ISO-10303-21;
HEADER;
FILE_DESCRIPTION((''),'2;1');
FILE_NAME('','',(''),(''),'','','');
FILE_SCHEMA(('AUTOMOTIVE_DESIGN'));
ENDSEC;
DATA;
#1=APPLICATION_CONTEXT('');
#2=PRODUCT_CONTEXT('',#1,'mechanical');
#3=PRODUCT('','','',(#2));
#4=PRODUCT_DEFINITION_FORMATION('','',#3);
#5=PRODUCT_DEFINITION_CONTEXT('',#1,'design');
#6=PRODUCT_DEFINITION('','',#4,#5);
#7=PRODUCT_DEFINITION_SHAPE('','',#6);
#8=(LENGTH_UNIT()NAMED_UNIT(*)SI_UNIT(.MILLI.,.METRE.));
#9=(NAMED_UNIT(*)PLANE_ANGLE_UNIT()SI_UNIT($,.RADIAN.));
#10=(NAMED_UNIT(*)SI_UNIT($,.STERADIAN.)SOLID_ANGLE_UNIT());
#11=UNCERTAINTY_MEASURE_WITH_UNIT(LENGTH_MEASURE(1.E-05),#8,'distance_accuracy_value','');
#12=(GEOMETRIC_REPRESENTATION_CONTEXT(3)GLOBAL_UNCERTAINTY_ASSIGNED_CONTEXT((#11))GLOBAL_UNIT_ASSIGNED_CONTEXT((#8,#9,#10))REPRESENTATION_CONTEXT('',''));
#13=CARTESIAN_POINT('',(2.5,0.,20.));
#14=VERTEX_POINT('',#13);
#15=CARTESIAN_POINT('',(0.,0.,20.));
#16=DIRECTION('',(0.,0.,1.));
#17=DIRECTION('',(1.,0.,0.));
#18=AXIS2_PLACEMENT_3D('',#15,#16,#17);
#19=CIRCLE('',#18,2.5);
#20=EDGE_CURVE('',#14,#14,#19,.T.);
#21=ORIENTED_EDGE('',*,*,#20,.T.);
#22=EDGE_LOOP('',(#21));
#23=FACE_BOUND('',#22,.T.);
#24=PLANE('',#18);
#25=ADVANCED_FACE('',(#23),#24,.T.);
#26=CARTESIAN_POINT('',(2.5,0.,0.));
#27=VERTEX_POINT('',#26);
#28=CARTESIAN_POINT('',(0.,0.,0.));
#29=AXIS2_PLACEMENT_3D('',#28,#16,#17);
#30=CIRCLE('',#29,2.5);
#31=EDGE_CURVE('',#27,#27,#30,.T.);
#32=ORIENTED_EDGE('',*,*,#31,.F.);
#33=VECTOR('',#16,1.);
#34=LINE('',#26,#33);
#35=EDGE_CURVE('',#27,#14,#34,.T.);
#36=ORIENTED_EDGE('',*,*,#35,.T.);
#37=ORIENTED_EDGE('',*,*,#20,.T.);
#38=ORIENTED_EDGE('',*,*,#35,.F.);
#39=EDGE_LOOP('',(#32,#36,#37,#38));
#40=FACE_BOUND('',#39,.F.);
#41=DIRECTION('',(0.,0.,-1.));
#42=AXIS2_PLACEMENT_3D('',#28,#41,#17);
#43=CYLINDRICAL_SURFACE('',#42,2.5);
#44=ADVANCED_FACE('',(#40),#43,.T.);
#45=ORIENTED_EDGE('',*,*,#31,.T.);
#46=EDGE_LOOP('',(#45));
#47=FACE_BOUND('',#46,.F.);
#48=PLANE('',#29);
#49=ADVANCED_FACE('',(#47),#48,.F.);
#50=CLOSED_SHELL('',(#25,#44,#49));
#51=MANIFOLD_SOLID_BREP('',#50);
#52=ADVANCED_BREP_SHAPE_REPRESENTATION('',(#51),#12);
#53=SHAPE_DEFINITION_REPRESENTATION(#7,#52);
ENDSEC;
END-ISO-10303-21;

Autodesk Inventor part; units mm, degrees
ref_plane "YZ Plane" through (0, 0, 0) normal (1, 0, 0) x (0, 1, 0)
ref_plane "XZ Plane" through (0, 0, 0) normal (0, 1, 0) x (-1, 0, 0)
ref_plane "XY Plane" through (0, 0, 0) normal (0, 0, 1) x (1, 0, 0)
sketch "Sketch1" plane through (0, 0, 0) normal (0, 0, 1) x (1, 0, 0)
  circle A0 centre (0, 0) radius 2.5
  dimension "d0" = 5
extrude "Extrusion1" add sketch "Sketch1" along normal blind 20
properties part number "XcrLeftPulleyShaft"
